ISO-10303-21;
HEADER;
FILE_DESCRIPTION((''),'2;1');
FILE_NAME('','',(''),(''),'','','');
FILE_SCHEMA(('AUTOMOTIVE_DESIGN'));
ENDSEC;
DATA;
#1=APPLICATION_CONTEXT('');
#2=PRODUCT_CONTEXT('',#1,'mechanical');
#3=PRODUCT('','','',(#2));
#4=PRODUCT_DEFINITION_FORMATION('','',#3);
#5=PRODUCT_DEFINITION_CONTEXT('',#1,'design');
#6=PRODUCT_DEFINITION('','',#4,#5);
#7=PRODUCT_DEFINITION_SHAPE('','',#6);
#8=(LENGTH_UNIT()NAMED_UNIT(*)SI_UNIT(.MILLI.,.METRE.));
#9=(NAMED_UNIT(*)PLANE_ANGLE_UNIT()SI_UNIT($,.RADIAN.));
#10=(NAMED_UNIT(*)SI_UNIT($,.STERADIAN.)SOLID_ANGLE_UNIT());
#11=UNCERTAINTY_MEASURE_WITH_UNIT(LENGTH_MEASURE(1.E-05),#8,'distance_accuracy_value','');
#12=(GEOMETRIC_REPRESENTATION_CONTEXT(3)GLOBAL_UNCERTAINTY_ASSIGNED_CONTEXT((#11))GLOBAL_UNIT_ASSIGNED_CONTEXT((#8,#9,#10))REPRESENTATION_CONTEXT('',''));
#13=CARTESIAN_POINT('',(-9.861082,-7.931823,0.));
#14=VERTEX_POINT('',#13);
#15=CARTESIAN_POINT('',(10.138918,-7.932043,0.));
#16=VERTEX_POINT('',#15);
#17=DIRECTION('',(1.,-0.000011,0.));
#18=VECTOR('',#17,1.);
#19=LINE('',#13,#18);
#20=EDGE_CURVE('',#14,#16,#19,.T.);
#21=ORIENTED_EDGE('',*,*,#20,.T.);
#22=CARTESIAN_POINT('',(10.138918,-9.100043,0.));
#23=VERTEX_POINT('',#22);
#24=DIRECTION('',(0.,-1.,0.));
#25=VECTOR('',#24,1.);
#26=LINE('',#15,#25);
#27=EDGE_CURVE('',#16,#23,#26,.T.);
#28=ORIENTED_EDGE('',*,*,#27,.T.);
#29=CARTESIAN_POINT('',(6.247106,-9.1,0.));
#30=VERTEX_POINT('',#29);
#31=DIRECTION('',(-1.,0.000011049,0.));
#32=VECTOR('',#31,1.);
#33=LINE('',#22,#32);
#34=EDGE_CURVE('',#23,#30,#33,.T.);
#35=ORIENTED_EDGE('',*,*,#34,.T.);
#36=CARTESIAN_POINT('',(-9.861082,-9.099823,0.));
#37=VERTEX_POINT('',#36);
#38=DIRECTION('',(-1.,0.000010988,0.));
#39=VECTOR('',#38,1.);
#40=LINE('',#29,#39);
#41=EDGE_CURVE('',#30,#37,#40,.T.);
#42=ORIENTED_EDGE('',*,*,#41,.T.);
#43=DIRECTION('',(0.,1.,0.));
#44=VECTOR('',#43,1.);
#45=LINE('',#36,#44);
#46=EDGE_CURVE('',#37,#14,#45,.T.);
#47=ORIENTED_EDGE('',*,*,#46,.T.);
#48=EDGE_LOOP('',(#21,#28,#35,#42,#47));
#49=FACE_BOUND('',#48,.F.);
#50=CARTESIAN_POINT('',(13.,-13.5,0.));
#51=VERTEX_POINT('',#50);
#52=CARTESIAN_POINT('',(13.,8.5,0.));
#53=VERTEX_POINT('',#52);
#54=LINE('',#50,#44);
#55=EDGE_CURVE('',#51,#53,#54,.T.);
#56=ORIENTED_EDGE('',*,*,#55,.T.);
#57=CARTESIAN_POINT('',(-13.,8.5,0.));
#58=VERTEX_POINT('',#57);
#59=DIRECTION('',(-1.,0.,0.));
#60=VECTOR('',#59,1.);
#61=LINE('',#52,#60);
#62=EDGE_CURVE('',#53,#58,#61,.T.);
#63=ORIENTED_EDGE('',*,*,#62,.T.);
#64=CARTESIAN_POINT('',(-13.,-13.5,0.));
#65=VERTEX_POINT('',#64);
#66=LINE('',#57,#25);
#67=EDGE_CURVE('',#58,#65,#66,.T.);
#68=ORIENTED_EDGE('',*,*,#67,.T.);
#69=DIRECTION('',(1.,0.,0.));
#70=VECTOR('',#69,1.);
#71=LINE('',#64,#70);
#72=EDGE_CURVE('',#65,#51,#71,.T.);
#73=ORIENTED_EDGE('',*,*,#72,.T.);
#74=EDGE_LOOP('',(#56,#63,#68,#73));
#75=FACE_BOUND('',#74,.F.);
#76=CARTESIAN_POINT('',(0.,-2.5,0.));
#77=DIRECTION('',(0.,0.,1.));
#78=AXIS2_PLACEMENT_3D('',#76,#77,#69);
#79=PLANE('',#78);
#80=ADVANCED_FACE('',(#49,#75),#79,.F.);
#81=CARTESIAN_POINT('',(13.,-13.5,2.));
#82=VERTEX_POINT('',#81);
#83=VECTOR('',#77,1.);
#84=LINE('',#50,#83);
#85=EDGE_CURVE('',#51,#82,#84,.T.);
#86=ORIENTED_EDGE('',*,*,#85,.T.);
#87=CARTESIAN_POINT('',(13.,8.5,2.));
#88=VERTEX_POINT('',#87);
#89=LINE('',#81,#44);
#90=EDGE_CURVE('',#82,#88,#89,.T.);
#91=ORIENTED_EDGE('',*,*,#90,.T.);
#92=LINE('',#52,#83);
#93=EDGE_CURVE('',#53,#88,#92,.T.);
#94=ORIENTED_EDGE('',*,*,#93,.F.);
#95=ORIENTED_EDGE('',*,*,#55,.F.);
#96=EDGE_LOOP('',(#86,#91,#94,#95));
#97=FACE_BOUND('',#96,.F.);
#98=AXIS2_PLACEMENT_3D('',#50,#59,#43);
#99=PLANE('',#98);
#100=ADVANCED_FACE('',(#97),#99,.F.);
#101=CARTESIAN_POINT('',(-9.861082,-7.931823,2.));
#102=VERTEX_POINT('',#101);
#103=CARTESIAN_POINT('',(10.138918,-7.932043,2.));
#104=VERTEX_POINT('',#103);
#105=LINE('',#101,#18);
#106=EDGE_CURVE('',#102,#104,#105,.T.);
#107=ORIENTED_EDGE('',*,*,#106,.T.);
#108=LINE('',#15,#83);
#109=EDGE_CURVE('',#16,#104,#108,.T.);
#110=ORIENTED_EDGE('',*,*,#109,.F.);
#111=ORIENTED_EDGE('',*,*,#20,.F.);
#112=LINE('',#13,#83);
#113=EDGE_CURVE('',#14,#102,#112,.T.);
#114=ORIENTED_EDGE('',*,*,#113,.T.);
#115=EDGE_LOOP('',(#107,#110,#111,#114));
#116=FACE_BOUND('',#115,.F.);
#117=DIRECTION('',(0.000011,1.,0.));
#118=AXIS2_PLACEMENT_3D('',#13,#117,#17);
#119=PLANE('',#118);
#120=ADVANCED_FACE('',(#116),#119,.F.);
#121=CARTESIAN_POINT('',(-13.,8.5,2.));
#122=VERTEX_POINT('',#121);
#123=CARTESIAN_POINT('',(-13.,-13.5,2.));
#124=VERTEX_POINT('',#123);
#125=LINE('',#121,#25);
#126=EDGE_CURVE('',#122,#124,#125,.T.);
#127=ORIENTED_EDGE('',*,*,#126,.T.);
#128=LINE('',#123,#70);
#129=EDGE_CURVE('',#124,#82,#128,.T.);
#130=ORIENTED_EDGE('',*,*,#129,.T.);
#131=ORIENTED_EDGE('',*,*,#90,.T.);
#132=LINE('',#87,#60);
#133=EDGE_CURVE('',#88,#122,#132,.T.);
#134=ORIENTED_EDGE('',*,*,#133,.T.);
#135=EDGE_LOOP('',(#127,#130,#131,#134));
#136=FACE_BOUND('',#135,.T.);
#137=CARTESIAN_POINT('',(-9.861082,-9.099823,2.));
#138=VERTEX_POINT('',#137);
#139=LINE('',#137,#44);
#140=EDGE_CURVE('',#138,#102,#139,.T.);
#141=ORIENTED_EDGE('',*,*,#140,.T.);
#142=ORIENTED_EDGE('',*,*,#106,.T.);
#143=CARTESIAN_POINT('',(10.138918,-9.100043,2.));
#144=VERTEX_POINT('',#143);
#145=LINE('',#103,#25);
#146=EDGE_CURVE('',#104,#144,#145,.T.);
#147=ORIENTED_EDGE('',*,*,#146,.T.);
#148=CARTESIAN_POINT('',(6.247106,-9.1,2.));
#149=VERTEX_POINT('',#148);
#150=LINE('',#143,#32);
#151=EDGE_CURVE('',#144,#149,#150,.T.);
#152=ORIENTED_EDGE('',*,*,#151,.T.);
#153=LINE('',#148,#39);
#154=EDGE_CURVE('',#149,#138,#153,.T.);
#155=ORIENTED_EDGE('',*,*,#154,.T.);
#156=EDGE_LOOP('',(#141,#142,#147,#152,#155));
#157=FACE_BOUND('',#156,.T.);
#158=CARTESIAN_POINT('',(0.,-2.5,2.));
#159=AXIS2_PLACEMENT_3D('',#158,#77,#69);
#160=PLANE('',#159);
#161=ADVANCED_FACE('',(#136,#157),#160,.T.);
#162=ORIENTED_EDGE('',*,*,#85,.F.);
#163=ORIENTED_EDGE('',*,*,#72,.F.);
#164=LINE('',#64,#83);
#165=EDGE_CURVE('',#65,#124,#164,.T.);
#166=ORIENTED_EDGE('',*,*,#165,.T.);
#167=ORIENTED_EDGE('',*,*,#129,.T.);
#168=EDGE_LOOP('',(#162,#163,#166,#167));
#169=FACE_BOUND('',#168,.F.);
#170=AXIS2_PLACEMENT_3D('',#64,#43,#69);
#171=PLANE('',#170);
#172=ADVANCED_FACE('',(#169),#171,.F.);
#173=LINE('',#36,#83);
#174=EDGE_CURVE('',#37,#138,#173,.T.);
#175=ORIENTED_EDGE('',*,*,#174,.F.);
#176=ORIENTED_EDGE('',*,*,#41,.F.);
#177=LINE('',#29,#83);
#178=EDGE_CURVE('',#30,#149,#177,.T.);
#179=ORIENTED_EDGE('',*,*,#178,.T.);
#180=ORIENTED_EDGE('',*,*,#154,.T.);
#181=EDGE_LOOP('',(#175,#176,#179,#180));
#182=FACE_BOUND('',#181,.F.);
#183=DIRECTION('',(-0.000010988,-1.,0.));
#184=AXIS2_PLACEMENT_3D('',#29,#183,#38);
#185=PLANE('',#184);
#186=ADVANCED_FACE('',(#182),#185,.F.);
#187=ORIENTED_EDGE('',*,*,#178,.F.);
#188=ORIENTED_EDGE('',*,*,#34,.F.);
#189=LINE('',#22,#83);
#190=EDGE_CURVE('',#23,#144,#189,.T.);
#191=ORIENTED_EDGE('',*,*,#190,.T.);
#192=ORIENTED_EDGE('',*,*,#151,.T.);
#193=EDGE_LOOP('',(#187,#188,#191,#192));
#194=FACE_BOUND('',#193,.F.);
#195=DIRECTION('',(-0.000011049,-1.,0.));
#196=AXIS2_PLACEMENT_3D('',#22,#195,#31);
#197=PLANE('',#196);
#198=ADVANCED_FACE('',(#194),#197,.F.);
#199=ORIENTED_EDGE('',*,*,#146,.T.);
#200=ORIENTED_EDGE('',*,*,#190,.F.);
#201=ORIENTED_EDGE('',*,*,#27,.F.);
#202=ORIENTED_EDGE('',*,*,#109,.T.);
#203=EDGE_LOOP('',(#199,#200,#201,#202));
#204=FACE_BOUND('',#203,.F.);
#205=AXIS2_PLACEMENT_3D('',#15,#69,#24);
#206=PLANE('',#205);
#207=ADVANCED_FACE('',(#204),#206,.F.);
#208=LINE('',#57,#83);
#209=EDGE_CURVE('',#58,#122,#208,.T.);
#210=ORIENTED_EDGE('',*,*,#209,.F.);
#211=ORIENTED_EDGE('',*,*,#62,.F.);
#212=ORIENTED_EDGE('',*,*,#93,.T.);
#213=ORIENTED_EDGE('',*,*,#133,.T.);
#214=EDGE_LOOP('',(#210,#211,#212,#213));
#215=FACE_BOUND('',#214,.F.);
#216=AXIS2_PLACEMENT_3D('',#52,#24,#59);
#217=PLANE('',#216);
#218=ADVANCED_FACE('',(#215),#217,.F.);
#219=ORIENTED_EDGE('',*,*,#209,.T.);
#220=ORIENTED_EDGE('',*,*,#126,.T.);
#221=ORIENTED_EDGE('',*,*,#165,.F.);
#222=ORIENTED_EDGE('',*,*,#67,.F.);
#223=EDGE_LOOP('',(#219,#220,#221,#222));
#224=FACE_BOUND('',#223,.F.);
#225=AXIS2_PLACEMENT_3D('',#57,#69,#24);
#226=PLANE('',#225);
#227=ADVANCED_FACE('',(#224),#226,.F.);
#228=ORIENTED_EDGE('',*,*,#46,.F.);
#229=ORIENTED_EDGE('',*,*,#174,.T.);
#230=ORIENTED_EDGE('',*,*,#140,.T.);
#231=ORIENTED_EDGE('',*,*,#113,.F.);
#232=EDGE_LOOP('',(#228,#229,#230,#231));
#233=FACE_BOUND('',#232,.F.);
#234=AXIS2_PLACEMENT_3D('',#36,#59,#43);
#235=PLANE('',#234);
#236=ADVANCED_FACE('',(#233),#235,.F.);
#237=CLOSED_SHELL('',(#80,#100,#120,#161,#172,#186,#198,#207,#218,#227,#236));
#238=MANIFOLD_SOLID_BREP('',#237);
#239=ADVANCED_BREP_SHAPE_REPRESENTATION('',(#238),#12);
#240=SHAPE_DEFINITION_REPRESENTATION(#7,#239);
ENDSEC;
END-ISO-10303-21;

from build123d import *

# Parameters (mm, degrees)
F1_DEPTH = 2


with BuildPart() as f1:
    # F0 (on Top) → F1 (new body)
    with BuildSketch(Plane.XY):
        Polygon((13, -8.5), (13, 8.5), (-13, 8.5), (-13, -8.5), (-13, -13.5), (6.247106, -13.5), (13, -13.5), align=None)
        Polygon((10.138918, -9.100043), (6.247106, -9.1), (-9.861082, -9.099823), (-9.861082, -7.931823), (10.138918, -7.932043), align=None, mode=Mode.SUBTRACT)
    extrude(amount=F1_DEPTH)


solid = f1.part
